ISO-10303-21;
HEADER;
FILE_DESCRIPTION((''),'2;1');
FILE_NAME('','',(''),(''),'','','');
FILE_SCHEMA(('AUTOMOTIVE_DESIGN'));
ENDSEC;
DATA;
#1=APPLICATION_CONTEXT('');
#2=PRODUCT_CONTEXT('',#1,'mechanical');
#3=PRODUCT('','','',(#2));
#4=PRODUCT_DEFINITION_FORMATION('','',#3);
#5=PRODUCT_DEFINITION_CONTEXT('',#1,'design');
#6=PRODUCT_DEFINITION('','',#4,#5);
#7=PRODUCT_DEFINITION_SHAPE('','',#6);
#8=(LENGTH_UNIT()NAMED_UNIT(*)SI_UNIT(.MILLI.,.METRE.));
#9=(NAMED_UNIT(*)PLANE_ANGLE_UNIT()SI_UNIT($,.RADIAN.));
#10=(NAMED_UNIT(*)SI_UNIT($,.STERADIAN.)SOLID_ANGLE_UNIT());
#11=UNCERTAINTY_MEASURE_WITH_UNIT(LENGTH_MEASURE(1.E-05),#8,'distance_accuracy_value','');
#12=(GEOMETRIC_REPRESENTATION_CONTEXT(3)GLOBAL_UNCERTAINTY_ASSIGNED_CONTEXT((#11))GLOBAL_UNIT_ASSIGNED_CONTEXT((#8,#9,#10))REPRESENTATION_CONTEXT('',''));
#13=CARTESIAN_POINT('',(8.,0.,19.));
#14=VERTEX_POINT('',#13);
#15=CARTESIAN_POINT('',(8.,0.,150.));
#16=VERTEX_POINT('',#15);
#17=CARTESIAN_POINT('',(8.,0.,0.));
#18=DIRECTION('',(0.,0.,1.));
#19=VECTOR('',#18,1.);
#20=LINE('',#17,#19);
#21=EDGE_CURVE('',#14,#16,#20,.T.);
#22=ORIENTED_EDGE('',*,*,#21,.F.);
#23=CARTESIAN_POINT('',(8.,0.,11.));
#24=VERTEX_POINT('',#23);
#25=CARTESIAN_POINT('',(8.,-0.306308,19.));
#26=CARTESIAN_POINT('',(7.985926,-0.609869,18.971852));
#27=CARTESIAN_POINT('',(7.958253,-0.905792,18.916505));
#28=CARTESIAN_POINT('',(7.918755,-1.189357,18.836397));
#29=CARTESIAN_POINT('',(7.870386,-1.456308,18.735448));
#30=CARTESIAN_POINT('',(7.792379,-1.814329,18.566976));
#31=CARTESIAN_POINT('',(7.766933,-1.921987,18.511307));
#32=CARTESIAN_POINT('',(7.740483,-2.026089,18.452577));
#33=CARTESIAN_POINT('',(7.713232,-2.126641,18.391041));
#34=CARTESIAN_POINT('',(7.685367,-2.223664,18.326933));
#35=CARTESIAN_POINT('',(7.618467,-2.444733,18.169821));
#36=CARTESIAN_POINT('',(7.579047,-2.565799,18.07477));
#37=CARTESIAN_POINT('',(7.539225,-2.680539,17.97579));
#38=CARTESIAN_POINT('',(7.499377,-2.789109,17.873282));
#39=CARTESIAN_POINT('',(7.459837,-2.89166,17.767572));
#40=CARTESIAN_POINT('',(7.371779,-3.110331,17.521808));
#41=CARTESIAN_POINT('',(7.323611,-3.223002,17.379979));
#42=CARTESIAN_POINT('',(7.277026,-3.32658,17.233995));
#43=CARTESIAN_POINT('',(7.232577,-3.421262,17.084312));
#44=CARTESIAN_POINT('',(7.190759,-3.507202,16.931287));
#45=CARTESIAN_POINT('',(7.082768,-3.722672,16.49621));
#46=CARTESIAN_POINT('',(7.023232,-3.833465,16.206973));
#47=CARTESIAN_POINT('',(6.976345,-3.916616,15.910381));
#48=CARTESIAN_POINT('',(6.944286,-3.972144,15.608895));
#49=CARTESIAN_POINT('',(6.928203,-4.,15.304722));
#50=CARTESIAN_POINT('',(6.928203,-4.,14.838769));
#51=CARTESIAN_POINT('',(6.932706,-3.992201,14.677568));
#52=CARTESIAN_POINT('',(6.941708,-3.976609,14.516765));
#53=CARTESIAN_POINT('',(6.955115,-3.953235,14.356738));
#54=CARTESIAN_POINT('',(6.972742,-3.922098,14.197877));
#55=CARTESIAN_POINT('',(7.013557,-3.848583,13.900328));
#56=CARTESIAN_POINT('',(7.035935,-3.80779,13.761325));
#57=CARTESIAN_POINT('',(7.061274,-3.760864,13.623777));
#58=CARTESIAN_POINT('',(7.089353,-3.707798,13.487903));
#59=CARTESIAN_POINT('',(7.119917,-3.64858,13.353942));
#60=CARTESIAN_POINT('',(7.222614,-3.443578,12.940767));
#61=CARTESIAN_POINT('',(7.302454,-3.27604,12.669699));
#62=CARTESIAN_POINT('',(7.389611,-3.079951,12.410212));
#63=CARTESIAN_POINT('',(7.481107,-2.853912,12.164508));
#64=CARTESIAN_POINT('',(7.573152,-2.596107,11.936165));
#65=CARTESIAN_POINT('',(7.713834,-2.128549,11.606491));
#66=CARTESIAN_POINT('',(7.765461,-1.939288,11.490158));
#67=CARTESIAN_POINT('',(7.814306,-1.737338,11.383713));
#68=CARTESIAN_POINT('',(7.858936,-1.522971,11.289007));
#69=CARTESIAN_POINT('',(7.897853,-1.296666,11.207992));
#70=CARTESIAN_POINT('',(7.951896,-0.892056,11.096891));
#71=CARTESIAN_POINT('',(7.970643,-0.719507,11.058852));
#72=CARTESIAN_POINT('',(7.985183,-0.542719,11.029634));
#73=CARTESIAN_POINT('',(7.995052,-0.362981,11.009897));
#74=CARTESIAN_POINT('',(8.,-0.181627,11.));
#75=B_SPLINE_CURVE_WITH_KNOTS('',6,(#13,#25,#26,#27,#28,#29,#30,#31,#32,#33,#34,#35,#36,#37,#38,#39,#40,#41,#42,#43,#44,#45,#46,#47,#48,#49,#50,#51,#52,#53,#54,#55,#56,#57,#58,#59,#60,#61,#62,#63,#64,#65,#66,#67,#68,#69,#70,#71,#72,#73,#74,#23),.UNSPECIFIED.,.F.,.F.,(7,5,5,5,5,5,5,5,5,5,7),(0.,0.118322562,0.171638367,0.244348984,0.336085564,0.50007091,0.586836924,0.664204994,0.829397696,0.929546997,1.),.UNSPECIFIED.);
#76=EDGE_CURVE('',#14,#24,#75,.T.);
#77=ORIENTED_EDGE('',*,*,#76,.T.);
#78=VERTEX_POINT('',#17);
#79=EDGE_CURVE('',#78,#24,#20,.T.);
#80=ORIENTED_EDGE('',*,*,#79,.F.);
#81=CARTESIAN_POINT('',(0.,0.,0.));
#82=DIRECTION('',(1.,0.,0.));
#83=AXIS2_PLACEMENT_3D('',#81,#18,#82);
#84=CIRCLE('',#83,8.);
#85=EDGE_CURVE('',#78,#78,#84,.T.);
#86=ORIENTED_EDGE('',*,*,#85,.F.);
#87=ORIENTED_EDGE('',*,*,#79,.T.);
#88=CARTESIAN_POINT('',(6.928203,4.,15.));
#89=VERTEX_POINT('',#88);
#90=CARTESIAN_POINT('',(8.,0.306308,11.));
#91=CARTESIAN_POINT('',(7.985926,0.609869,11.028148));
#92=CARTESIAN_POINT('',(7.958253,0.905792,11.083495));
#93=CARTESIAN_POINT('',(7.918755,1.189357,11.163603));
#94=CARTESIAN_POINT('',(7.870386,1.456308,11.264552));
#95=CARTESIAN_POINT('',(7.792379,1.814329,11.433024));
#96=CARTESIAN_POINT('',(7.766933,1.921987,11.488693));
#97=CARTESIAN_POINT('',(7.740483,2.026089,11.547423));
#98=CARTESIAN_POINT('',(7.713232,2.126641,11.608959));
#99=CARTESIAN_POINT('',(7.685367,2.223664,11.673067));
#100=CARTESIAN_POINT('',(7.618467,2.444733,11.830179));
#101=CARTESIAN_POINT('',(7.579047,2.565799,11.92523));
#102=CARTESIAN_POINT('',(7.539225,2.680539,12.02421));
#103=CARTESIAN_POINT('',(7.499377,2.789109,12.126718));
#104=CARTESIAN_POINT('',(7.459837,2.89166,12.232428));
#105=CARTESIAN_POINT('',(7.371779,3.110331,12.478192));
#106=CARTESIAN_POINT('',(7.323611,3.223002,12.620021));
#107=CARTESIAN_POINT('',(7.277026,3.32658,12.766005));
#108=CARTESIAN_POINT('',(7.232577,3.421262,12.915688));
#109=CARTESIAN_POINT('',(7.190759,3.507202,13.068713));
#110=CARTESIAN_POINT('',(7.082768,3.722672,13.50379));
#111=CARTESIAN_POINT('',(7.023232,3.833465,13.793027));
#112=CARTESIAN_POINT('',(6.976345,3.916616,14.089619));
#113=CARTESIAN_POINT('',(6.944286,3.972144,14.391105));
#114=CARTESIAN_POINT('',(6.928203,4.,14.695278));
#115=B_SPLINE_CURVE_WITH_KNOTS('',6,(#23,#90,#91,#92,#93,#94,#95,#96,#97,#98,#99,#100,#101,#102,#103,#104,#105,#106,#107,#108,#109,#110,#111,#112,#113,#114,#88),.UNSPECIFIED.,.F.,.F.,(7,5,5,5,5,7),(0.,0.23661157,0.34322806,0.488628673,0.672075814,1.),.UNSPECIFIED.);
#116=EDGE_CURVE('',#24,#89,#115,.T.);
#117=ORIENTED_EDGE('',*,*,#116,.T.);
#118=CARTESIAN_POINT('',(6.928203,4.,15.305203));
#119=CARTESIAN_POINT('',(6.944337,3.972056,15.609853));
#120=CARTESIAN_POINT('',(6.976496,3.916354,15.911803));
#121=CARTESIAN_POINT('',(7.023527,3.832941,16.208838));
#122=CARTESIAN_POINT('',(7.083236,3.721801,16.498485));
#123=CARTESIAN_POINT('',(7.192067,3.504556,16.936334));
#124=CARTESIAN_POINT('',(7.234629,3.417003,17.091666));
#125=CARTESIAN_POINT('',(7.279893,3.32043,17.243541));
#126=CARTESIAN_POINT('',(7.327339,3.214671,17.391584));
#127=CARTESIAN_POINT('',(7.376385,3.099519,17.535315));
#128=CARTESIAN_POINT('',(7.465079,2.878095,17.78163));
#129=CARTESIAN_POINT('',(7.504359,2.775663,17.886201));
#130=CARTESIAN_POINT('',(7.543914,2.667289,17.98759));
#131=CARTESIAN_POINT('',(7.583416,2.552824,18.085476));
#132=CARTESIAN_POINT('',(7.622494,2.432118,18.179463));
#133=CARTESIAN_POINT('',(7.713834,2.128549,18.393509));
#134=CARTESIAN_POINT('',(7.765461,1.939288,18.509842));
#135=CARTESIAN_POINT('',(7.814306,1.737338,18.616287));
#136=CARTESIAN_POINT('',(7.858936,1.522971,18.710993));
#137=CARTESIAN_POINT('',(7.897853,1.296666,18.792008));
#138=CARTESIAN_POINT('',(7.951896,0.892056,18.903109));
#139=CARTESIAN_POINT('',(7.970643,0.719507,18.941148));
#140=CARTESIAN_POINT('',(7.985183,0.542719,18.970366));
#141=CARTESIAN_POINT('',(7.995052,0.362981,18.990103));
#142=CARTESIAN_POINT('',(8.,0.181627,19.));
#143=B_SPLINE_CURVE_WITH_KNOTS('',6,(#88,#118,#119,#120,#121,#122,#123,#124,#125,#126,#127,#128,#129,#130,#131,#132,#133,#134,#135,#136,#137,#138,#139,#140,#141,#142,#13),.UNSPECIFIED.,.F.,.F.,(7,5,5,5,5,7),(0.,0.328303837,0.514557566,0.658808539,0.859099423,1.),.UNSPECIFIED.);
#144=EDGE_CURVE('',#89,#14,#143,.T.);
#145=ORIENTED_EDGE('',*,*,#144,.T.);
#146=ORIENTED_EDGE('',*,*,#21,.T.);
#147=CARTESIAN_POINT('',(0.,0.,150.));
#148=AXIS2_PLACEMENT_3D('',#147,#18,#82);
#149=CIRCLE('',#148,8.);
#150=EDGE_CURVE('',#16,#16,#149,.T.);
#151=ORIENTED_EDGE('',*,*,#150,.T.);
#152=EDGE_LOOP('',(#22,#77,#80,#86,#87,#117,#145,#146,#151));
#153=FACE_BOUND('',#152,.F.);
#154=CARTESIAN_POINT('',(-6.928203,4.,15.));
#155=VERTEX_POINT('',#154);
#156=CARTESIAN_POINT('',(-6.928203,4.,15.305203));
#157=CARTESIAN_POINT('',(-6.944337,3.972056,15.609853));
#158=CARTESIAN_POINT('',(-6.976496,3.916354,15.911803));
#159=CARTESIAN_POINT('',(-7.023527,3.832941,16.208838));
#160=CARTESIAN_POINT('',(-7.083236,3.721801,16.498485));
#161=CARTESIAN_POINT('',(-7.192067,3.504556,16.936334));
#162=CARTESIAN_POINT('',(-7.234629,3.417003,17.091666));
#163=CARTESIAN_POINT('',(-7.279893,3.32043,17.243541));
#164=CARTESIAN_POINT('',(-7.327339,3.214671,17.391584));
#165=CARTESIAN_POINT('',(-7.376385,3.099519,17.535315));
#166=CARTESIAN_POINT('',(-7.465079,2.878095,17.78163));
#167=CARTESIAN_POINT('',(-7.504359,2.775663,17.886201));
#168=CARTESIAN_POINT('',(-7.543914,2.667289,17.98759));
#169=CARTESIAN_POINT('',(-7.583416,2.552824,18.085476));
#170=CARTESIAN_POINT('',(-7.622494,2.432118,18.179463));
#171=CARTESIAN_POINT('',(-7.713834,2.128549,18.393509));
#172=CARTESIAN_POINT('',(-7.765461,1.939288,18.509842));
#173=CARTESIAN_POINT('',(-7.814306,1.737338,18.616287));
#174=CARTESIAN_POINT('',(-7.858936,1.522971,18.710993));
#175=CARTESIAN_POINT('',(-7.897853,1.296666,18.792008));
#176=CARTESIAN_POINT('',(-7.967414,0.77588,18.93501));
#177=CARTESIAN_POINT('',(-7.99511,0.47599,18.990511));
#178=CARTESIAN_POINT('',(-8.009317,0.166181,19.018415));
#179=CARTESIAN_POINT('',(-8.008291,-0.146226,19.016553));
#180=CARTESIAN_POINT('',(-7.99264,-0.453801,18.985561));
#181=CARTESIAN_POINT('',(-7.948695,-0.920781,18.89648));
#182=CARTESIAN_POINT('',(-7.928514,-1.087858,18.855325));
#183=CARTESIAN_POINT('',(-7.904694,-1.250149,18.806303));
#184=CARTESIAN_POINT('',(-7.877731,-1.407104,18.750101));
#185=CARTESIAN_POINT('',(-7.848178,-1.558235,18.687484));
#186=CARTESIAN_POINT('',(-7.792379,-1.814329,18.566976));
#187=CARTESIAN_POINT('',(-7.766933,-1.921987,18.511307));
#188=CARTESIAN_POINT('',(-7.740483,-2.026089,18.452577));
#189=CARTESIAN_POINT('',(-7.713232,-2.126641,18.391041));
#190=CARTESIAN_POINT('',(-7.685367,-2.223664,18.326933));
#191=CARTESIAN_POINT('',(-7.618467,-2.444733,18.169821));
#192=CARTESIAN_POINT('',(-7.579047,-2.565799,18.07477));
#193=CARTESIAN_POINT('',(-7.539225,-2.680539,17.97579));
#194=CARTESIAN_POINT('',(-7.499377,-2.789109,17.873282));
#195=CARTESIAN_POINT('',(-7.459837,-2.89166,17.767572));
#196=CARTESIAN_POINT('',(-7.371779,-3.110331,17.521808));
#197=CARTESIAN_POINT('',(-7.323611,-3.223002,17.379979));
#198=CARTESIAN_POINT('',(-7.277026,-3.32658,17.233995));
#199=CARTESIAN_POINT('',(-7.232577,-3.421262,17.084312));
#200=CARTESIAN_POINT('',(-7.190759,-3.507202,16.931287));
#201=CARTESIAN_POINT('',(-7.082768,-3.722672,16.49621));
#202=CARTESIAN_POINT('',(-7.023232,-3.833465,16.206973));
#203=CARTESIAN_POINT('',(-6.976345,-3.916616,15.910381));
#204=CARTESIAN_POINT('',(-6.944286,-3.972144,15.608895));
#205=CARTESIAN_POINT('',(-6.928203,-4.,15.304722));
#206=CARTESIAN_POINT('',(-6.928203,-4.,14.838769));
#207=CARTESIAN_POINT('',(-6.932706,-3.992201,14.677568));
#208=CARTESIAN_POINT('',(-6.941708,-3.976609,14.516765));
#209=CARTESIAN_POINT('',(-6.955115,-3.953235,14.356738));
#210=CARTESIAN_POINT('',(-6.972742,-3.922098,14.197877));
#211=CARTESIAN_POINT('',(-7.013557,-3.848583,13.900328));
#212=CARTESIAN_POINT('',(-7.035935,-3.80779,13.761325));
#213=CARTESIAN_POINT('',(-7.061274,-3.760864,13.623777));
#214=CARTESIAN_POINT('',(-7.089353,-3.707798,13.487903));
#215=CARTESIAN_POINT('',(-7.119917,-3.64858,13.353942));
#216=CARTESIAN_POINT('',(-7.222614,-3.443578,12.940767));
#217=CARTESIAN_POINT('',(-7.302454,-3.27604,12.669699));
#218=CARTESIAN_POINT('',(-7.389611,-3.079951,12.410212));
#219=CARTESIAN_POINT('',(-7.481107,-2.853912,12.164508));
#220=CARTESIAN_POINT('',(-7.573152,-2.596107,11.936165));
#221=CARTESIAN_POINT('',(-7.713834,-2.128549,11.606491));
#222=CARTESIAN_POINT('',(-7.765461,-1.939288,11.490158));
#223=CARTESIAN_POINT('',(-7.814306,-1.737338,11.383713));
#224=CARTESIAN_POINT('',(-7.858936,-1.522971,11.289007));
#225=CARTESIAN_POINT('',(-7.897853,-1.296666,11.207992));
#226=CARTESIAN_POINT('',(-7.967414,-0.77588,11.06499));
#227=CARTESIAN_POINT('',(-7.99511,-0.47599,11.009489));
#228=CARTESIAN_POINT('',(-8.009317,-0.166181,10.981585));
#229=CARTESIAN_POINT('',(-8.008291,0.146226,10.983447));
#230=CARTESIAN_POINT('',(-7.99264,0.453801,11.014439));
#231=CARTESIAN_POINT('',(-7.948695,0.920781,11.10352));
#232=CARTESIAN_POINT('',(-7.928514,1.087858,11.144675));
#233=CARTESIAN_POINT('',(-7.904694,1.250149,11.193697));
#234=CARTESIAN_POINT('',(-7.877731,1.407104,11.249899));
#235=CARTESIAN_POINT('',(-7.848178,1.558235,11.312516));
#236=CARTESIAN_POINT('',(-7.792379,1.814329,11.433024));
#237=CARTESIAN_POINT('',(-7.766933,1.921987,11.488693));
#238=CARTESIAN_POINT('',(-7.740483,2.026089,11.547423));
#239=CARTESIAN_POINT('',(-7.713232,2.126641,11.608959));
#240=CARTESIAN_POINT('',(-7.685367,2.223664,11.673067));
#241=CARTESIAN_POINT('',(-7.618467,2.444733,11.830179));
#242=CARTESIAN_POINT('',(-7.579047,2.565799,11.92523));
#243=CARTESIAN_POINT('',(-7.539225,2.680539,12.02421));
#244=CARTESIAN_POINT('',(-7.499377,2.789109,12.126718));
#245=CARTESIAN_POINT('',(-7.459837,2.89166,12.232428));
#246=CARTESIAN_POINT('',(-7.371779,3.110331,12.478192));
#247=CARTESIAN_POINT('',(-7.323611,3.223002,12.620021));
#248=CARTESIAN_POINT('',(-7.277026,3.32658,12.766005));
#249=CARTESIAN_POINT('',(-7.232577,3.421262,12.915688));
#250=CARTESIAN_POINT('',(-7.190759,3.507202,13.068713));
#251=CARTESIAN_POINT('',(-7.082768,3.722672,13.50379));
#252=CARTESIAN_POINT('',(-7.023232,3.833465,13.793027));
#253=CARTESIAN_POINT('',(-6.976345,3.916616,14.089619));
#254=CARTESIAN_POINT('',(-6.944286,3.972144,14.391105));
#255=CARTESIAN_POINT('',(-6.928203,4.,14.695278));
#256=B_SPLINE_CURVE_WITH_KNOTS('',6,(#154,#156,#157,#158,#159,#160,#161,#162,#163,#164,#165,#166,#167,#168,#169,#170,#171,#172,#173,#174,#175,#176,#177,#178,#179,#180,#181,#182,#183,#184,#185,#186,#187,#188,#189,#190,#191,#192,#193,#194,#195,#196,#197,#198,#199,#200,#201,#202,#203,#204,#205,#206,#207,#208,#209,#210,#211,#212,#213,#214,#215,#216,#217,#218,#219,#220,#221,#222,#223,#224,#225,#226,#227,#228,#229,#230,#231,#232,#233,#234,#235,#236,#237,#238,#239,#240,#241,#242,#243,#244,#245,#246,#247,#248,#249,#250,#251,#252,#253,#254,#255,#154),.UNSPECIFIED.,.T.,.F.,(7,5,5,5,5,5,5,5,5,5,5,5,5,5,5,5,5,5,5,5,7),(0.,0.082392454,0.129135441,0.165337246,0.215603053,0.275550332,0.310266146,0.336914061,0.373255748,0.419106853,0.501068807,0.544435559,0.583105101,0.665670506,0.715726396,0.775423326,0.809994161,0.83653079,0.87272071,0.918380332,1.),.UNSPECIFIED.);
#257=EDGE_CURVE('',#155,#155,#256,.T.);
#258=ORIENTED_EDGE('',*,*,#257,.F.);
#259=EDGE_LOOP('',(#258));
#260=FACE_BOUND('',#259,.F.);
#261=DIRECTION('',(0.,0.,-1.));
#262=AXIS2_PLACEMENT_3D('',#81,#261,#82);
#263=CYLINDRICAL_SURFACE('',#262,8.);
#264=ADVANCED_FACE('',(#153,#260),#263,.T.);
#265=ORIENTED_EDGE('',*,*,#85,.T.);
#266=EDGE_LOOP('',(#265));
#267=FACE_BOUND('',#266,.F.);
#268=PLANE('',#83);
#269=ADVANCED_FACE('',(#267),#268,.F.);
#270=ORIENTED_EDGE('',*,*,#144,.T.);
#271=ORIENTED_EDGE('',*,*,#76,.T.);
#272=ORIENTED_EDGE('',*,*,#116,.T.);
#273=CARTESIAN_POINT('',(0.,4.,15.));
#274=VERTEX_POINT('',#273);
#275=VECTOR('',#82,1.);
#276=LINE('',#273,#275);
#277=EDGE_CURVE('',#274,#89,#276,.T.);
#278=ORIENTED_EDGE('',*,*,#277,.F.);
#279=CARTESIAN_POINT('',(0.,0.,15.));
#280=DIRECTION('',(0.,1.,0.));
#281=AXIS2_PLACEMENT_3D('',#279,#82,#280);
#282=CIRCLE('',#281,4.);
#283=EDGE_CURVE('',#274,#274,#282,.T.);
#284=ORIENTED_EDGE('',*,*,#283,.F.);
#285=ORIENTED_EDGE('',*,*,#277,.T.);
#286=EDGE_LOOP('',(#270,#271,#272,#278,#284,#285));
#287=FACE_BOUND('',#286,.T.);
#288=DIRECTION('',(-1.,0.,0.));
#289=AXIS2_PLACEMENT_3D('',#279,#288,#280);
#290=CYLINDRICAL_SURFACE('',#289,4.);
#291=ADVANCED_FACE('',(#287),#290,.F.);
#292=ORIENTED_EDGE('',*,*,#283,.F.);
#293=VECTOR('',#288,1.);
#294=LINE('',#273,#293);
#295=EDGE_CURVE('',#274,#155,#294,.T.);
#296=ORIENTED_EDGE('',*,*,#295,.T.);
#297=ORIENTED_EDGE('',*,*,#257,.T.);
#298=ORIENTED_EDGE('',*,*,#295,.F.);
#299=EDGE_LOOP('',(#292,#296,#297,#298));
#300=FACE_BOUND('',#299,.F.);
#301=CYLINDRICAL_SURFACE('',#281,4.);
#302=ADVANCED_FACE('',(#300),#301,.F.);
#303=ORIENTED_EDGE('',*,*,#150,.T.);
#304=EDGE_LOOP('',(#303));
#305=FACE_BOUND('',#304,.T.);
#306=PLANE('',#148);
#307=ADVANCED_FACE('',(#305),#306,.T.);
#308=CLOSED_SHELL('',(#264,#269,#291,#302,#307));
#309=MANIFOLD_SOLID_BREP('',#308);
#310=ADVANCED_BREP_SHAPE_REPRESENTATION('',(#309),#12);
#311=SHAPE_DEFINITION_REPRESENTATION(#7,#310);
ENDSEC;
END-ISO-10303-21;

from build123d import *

# Parameters (mm, degrees)
F0_R          = 8
F1_DEPTH      = 150
F2_R          = 4
F3_DEPTH      = 25
F3_DEPTH_BACK = 25


with BuildPart() as f1:
    # F0 (on Top) → F1 (new body)
    with BuildSketch(Plane.XY):
        Circle(F0_R)
    extrude(amount=F1_DEPTH)

    # F2 (on Right) → F3 (cut, two sides)
    with BuildSketch(Plane.YZ) as f3_sk:
        with Locations((0, 15)):
            Circle(F2_R)
    extrude(amount=-F3_DEPTH, mode=Mode.SUBTRACT)
    extrude(f3_sk.sketch, amount=F3_DEPTH_BACK, mode=Mode.SUBTRACT)


solid = f1.part
